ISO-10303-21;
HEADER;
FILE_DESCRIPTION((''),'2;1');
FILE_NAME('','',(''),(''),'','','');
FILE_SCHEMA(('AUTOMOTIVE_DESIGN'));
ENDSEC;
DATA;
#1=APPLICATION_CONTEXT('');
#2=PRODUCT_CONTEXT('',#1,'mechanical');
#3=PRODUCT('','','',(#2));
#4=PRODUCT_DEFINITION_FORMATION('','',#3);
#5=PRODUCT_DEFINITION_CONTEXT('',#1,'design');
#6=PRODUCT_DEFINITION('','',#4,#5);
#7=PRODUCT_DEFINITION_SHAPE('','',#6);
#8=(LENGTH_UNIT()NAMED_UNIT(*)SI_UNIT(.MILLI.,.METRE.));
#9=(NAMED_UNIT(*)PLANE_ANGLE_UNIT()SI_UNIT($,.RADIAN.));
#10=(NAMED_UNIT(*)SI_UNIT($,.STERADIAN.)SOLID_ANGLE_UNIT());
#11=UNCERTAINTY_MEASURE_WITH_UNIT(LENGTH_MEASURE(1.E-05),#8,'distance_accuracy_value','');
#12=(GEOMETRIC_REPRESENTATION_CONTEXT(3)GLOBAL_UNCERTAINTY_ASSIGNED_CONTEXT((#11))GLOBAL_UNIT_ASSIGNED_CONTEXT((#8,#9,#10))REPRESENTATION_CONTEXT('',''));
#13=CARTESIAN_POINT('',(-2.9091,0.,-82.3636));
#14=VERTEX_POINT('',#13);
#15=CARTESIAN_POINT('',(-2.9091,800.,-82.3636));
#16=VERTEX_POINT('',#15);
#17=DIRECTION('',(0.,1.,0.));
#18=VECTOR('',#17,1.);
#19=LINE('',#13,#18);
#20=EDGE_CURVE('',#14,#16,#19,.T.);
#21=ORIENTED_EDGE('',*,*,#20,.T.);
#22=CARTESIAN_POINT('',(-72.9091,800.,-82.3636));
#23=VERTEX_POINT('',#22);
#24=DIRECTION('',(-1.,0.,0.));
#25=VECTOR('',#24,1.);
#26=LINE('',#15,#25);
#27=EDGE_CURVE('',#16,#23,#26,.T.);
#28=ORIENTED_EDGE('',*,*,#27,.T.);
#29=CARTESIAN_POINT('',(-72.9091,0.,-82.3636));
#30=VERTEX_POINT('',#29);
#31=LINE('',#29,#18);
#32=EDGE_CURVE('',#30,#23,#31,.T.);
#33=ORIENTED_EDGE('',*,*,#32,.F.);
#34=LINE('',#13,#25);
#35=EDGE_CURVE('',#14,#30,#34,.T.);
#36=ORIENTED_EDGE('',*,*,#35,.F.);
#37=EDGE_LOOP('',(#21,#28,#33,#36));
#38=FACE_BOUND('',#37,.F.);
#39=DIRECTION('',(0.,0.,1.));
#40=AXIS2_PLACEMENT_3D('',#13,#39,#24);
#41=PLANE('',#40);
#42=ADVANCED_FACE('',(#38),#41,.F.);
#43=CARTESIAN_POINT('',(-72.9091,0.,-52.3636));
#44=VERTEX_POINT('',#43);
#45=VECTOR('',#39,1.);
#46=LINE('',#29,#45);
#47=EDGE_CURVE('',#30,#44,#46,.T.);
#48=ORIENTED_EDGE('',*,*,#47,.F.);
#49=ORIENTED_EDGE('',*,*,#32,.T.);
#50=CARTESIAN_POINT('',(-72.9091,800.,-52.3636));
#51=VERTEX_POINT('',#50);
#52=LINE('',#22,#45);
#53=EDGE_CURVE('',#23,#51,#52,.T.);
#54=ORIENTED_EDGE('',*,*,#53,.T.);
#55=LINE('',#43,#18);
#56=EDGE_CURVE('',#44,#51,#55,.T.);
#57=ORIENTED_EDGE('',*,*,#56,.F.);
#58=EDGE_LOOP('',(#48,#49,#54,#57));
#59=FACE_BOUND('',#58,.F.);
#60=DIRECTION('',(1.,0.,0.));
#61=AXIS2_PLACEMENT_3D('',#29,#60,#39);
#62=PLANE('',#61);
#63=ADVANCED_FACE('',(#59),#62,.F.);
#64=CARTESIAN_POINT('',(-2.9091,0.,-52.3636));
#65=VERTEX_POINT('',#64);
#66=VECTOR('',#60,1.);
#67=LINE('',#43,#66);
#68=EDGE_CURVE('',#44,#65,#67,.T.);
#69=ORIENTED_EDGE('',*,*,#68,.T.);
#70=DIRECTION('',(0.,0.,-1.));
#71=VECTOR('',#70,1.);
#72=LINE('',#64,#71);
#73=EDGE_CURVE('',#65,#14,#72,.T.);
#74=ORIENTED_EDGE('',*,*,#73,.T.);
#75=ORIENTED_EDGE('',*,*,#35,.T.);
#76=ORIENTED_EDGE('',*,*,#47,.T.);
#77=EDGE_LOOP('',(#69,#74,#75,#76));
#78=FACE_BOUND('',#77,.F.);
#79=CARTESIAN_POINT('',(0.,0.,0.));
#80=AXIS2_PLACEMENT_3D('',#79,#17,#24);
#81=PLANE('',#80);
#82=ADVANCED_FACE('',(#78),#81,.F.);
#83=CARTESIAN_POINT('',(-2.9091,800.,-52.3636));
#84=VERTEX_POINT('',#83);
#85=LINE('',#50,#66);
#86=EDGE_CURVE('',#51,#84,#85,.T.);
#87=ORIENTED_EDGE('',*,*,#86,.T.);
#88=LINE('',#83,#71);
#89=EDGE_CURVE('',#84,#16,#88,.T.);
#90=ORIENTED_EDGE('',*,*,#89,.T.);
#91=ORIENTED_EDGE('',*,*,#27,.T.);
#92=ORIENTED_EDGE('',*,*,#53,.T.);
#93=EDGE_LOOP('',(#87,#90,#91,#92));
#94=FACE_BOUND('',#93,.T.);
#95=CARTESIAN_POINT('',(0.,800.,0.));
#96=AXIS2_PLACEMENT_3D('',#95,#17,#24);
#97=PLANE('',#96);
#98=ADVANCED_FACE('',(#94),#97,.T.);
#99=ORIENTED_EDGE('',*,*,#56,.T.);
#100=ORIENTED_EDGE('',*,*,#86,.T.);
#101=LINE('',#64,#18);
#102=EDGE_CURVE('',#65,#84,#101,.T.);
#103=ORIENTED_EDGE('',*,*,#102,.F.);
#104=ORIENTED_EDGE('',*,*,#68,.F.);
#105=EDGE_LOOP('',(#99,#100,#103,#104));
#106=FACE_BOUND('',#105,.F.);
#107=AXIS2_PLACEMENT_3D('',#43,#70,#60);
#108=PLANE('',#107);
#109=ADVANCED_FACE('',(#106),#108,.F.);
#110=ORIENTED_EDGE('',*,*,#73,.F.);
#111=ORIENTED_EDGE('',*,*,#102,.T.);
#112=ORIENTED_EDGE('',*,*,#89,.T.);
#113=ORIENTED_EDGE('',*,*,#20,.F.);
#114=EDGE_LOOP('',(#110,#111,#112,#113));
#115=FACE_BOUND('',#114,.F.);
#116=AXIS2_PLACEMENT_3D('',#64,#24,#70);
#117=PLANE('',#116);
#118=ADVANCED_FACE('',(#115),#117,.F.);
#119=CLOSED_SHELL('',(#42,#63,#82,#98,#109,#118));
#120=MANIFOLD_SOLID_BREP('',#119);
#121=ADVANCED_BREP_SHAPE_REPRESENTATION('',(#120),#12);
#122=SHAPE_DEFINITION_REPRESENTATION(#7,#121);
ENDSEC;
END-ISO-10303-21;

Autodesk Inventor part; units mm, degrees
ref_plane "YZ Plane" through (0, 0, 0) normal (1, 0, 0) x (0, 1, 0)
ref_plane "XZ Plane" through (0, 0, 0) normal (0, 1, 0) x (-1, 0, 0)
ref_plane "XY Plane" through (0, 0, 0) normal (0, 0, 1) x (1, 0, 0)
sketch "Skizze1" plane through (0, 0, 0) normal (0, 1, 0) x (-1, 0, 0)
  line L0 (72.9091, -52.3636) -> (2.9091, -52.3636)
  line L1 (2.9091, -52.3636) -> (2.9091, -82.3636)
  line L2 (2.9091, -82.3636) -> (72.9091, -82.3636)
  line L3 (72.9091, -82.3636) -> (72.9091, -52.3636)
  point P0 (0, 0)
  dimension "d0" = 70
  dimension "d1" = 30
extrude "Extrusion1" add sketch "Skizze1" along normal blind 800
properties part number "Füße"
